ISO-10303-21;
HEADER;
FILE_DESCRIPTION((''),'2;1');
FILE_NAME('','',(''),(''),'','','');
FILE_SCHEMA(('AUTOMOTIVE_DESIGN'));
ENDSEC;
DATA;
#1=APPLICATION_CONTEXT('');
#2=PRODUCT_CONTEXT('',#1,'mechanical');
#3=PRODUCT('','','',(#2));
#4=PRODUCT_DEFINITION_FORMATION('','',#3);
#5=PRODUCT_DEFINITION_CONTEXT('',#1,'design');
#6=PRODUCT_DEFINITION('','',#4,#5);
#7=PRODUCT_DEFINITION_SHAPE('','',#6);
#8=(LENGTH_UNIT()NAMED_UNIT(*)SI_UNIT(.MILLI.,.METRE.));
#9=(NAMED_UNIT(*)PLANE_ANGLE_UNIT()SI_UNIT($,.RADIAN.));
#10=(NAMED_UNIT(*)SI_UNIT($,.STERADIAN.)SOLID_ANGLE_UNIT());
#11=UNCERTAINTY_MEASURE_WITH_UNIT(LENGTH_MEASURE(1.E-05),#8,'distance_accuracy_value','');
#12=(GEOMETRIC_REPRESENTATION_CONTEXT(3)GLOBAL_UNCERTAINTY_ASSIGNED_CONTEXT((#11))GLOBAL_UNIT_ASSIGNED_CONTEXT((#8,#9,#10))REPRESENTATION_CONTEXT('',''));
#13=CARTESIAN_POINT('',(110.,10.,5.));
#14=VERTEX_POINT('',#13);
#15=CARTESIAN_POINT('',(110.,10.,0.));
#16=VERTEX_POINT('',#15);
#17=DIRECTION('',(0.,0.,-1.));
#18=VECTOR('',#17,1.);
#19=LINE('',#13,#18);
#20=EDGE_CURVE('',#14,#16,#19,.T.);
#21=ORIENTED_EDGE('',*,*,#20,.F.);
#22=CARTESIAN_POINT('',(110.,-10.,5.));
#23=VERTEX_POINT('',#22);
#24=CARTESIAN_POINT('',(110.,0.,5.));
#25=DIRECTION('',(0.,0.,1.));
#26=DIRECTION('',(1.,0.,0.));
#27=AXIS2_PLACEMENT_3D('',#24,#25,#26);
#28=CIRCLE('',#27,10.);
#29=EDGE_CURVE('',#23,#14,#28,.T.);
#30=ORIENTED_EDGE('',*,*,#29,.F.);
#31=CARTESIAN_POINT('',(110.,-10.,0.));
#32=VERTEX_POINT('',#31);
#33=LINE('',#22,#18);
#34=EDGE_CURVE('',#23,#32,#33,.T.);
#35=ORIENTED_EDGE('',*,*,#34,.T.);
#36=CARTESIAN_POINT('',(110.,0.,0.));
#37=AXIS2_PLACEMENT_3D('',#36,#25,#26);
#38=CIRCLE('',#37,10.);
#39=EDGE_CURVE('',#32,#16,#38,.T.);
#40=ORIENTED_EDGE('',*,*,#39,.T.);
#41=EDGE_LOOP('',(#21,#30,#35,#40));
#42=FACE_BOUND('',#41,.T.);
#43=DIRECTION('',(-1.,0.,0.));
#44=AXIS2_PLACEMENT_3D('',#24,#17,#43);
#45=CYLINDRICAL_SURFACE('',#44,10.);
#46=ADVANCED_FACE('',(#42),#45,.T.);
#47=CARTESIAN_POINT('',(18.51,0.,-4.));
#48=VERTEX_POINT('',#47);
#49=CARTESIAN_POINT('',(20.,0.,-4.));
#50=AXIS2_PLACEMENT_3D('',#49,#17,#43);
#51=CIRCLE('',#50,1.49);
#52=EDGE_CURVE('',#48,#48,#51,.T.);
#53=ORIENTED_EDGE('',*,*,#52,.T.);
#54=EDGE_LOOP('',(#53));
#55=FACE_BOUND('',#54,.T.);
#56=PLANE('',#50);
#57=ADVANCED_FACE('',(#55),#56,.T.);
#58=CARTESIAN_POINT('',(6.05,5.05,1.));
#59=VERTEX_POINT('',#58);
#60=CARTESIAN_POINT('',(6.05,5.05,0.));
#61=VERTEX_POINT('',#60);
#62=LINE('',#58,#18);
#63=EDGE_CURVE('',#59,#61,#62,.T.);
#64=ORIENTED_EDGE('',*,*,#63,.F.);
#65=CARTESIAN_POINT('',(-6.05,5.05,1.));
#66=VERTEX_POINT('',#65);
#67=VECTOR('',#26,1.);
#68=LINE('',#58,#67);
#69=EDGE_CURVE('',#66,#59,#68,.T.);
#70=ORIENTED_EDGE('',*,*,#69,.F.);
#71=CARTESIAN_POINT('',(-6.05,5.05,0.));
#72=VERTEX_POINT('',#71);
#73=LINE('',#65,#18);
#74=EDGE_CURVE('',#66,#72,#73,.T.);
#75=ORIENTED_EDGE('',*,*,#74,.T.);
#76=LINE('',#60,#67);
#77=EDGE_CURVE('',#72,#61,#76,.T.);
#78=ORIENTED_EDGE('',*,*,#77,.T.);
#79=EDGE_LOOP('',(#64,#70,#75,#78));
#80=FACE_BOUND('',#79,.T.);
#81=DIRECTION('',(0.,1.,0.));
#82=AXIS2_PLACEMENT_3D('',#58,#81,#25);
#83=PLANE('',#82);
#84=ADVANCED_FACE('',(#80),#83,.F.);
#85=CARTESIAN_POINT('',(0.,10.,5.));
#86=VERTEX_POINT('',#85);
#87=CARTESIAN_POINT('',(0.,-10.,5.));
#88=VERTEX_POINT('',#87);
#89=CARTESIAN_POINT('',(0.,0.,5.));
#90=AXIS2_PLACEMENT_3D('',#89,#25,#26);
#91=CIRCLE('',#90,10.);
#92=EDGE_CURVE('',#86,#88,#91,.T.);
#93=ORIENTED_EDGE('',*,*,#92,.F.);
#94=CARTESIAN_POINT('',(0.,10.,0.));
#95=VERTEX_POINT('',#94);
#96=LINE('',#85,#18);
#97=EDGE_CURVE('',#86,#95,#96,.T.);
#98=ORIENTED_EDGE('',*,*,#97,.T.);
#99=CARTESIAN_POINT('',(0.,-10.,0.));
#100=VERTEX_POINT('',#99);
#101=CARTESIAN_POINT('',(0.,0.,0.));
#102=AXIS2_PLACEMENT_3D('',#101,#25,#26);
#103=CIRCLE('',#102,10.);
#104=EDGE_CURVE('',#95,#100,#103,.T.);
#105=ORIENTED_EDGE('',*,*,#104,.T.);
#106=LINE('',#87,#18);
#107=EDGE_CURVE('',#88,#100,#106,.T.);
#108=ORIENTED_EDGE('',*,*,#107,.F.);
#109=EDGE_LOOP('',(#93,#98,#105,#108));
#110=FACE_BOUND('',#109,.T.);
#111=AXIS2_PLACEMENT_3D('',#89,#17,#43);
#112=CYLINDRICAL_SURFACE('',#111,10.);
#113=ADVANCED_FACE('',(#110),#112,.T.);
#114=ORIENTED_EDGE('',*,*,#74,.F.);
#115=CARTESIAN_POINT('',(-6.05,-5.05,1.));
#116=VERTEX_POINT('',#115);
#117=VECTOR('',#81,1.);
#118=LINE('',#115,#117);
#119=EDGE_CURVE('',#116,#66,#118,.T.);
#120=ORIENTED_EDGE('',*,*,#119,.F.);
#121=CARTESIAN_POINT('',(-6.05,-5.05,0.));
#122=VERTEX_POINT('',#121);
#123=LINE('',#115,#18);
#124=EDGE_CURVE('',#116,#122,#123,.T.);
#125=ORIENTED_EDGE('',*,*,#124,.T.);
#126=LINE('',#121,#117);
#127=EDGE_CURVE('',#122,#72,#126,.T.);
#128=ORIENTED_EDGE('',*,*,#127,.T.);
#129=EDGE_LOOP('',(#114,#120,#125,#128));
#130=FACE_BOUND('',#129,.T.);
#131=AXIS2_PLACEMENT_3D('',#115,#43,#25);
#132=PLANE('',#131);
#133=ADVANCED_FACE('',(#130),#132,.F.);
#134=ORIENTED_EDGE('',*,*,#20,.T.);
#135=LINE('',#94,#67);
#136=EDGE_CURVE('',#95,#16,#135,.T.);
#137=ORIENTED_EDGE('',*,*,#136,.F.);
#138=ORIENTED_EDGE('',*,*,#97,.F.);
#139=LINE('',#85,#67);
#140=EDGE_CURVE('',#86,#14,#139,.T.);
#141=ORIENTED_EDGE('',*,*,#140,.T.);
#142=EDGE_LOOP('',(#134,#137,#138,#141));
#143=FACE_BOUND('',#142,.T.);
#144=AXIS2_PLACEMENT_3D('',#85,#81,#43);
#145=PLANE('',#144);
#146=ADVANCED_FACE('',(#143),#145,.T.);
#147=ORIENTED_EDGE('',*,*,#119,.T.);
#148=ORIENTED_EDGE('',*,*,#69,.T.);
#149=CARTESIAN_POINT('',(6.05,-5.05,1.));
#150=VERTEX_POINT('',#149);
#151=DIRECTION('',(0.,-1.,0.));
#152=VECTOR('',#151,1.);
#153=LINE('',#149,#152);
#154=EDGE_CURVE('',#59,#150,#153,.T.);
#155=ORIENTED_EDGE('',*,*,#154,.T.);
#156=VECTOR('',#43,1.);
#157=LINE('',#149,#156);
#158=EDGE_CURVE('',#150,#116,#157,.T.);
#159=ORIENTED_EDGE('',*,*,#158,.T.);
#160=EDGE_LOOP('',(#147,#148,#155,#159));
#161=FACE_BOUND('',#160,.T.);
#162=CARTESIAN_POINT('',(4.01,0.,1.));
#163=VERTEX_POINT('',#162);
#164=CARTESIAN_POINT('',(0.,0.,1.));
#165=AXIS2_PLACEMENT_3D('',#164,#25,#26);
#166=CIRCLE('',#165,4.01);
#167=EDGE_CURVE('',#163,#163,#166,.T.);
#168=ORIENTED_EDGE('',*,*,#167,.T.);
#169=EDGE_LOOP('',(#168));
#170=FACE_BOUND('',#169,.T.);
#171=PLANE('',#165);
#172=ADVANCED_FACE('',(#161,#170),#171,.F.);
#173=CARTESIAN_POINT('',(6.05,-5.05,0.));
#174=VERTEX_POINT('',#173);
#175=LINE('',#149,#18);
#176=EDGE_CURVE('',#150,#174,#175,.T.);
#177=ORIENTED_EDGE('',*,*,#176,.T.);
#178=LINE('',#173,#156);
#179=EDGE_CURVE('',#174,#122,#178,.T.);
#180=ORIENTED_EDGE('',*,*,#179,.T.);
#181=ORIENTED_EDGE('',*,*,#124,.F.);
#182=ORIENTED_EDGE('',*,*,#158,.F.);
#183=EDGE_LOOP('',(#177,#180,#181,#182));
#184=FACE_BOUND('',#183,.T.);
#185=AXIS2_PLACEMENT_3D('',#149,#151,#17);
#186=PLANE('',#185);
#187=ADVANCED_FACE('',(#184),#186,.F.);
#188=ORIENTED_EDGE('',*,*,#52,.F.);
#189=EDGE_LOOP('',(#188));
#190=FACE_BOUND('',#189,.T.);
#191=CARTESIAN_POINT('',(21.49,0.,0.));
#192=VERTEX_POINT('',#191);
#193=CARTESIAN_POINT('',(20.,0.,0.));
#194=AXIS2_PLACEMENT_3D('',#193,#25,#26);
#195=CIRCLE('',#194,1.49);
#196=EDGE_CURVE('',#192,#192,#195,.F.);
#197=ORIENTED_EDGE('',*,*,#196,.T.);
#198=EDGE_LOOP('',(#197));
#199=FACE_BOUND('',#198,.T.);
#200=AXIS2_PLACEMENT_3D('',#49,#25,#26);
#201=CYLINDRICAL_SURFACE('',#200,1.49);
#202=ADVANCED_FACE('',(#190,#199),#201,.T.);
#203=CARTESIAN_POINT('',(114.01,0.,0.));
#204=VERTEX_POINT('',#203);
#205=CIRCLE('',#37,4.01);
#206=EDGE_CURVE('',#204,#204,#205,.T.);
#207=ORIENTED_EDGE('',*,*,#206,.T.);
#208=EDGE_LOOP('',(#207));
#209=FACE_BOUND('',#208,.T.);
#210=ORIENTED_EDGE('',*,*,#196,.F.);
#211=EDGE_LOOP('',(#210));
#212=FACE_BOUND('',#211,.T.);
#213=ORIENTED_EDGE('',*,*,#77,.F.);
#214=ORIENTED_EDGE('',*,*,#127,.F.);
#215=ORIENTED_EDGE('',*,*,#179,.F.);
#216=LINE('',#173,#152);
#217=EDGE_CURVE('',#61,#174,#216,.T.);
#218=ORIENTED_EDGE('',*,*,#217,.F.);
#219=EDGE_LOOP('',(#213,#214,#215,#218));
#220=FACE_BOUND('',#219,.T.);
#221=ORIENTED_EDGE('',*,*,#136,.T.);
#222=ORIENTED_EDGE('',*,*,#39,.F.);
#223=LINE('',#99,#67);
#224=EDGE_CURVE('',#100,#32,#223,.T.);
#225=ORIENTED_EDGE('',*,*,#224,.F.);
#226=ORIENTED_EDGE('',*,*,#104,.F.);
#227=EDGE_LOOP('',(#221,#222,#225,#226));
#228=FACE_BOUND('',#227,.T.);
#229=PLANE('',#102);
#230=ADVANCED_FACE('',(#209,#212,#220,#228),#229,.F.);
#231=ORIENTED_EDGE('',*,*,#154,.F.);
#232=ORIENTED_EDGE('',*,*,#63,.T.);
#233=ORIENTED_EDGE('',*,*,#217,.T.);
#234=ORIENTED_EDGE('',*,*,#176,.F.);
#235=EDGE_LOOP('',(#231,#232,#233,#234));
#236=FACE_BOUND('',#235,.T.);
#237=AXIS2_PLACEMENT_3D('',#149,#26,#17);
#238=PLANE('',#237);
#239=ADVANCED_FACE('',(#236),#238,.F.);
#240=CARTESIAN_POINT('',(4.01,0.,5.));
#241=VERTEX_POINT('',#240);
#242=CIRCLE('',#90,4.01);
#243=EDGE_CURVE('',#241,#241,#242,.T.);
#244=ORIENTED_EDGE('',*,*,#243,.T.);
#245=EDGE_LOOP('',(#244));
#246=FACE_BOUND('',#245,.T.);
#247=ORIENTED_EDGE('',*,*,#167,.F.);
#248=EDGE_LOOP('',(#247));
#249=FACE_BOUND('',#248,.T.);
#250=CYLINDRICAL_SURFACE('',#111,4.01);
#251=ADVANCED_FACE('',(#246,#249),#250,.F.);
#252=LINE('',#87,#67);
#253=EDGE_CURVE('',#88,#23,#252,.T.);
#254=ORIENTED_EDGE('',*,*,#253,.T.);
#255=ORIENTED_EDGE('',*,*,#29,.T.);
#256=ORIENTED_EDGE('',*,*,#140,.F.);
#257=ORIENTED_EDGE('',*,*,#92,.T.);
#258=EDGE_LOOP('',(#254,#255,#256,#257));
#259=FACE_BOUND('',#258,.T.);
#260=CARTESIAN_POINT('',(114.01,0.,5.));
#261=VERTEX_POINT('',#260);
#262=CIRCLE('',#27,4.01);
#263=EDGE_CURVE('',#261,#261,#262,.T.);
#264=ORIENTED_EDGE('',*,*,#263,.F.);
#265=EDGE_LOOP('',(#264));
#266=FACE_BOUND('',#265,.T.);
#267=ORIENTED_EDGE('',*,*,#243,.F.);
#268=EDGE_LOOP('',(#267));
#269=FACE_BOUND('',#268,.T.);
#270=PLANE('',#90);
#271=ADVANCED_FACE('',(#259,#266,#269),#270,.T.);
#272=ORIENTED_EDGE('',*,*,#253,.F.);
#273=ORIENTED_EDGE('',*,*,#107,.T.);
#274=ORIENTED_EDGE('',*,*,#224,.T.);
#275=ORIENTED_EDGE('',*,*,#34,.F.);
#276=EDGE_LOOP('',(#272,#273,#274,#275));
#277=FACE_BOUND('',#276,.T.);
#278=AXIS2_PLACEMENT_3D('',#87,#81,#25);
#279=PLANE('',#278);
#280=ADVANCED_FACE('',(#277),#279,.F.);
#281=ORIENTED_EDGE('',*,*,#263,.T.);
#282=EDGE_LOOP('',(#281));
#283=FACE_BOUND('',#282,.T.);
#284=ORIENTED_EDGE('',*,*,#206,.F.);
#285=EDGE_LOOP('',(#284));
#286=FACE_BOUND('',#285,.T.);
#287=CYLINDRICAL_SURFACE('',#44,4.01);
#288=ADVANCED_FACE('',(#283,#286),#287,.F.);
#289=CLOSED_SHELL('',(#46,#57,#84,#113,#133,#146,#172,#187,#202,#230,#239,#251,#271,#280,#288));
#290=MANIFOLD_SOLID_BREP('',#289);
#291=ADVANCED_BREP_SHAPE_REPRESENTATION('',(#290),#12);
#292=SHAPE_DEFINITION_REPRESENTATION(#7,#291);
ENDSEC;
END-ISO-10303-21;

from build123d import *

# Parameters (mm, degrees)
SKETCH1_R           = 4.01
BOSS_EXTRUDE1_DEPTH = 5
SKETCH2_R           = 1.49
BOSS_EXTRUDE3_DEPTH = 4
SKETCH5_W           = 12.1
SKETCH5_H           = 10.1
CUT_EXTRUDE1_DEPTH  = 1


with BuildPart() as part:
    # Sketch1 → Boss-Extrude1 (new body)
    with BuildSketch(Plane.XY):
        with BuildLine():
            Line((110, 10), (0, 10))
            ThreePointArc((0, 10), (-10, 0), (0, -10))
            Line((0, -10), (110, -10))
            ThreePointArc((110, -10), (120, 0), (110, 10))
        make_face()
        Circle(SKETCH1_R, mode=Mode.SUBTRACT)
        with Locations((110, 0)):
            Circle(SKETCH1_R, mode=Mode.SUBTRACT)
    extrude(amount=BOSS_EXTRUDE1_DEPTH)

    # Sketch2 → Boss-Extrude3 (add)
    with BuildSketch(Plane(origin=(0, 0, 0), x_dir=(-1, 0, 0), z_dir=(0, 0, -1))):
        with Locations(Location((-20, 0, 0), (0, 0, 180))):
            Circle(SKETCH2_R)
    extrude(amount=BOSS_EXTRUDE3_DEPTH)

    # Sketch5 → Cut-Extrude1 (cut)
    with BuildSketch(Plane(origin=(0, 0, 0), x_dir=(-1, 0, 0), z_dir=(0, 0, -1))):
        Rectangle(SKETCH5_W, SKETCH5_H)
    extrude(amount=-CUT_EXTRUDE1_DEPTH, mode=Mode.SUBTRACT)


solid = part.part
